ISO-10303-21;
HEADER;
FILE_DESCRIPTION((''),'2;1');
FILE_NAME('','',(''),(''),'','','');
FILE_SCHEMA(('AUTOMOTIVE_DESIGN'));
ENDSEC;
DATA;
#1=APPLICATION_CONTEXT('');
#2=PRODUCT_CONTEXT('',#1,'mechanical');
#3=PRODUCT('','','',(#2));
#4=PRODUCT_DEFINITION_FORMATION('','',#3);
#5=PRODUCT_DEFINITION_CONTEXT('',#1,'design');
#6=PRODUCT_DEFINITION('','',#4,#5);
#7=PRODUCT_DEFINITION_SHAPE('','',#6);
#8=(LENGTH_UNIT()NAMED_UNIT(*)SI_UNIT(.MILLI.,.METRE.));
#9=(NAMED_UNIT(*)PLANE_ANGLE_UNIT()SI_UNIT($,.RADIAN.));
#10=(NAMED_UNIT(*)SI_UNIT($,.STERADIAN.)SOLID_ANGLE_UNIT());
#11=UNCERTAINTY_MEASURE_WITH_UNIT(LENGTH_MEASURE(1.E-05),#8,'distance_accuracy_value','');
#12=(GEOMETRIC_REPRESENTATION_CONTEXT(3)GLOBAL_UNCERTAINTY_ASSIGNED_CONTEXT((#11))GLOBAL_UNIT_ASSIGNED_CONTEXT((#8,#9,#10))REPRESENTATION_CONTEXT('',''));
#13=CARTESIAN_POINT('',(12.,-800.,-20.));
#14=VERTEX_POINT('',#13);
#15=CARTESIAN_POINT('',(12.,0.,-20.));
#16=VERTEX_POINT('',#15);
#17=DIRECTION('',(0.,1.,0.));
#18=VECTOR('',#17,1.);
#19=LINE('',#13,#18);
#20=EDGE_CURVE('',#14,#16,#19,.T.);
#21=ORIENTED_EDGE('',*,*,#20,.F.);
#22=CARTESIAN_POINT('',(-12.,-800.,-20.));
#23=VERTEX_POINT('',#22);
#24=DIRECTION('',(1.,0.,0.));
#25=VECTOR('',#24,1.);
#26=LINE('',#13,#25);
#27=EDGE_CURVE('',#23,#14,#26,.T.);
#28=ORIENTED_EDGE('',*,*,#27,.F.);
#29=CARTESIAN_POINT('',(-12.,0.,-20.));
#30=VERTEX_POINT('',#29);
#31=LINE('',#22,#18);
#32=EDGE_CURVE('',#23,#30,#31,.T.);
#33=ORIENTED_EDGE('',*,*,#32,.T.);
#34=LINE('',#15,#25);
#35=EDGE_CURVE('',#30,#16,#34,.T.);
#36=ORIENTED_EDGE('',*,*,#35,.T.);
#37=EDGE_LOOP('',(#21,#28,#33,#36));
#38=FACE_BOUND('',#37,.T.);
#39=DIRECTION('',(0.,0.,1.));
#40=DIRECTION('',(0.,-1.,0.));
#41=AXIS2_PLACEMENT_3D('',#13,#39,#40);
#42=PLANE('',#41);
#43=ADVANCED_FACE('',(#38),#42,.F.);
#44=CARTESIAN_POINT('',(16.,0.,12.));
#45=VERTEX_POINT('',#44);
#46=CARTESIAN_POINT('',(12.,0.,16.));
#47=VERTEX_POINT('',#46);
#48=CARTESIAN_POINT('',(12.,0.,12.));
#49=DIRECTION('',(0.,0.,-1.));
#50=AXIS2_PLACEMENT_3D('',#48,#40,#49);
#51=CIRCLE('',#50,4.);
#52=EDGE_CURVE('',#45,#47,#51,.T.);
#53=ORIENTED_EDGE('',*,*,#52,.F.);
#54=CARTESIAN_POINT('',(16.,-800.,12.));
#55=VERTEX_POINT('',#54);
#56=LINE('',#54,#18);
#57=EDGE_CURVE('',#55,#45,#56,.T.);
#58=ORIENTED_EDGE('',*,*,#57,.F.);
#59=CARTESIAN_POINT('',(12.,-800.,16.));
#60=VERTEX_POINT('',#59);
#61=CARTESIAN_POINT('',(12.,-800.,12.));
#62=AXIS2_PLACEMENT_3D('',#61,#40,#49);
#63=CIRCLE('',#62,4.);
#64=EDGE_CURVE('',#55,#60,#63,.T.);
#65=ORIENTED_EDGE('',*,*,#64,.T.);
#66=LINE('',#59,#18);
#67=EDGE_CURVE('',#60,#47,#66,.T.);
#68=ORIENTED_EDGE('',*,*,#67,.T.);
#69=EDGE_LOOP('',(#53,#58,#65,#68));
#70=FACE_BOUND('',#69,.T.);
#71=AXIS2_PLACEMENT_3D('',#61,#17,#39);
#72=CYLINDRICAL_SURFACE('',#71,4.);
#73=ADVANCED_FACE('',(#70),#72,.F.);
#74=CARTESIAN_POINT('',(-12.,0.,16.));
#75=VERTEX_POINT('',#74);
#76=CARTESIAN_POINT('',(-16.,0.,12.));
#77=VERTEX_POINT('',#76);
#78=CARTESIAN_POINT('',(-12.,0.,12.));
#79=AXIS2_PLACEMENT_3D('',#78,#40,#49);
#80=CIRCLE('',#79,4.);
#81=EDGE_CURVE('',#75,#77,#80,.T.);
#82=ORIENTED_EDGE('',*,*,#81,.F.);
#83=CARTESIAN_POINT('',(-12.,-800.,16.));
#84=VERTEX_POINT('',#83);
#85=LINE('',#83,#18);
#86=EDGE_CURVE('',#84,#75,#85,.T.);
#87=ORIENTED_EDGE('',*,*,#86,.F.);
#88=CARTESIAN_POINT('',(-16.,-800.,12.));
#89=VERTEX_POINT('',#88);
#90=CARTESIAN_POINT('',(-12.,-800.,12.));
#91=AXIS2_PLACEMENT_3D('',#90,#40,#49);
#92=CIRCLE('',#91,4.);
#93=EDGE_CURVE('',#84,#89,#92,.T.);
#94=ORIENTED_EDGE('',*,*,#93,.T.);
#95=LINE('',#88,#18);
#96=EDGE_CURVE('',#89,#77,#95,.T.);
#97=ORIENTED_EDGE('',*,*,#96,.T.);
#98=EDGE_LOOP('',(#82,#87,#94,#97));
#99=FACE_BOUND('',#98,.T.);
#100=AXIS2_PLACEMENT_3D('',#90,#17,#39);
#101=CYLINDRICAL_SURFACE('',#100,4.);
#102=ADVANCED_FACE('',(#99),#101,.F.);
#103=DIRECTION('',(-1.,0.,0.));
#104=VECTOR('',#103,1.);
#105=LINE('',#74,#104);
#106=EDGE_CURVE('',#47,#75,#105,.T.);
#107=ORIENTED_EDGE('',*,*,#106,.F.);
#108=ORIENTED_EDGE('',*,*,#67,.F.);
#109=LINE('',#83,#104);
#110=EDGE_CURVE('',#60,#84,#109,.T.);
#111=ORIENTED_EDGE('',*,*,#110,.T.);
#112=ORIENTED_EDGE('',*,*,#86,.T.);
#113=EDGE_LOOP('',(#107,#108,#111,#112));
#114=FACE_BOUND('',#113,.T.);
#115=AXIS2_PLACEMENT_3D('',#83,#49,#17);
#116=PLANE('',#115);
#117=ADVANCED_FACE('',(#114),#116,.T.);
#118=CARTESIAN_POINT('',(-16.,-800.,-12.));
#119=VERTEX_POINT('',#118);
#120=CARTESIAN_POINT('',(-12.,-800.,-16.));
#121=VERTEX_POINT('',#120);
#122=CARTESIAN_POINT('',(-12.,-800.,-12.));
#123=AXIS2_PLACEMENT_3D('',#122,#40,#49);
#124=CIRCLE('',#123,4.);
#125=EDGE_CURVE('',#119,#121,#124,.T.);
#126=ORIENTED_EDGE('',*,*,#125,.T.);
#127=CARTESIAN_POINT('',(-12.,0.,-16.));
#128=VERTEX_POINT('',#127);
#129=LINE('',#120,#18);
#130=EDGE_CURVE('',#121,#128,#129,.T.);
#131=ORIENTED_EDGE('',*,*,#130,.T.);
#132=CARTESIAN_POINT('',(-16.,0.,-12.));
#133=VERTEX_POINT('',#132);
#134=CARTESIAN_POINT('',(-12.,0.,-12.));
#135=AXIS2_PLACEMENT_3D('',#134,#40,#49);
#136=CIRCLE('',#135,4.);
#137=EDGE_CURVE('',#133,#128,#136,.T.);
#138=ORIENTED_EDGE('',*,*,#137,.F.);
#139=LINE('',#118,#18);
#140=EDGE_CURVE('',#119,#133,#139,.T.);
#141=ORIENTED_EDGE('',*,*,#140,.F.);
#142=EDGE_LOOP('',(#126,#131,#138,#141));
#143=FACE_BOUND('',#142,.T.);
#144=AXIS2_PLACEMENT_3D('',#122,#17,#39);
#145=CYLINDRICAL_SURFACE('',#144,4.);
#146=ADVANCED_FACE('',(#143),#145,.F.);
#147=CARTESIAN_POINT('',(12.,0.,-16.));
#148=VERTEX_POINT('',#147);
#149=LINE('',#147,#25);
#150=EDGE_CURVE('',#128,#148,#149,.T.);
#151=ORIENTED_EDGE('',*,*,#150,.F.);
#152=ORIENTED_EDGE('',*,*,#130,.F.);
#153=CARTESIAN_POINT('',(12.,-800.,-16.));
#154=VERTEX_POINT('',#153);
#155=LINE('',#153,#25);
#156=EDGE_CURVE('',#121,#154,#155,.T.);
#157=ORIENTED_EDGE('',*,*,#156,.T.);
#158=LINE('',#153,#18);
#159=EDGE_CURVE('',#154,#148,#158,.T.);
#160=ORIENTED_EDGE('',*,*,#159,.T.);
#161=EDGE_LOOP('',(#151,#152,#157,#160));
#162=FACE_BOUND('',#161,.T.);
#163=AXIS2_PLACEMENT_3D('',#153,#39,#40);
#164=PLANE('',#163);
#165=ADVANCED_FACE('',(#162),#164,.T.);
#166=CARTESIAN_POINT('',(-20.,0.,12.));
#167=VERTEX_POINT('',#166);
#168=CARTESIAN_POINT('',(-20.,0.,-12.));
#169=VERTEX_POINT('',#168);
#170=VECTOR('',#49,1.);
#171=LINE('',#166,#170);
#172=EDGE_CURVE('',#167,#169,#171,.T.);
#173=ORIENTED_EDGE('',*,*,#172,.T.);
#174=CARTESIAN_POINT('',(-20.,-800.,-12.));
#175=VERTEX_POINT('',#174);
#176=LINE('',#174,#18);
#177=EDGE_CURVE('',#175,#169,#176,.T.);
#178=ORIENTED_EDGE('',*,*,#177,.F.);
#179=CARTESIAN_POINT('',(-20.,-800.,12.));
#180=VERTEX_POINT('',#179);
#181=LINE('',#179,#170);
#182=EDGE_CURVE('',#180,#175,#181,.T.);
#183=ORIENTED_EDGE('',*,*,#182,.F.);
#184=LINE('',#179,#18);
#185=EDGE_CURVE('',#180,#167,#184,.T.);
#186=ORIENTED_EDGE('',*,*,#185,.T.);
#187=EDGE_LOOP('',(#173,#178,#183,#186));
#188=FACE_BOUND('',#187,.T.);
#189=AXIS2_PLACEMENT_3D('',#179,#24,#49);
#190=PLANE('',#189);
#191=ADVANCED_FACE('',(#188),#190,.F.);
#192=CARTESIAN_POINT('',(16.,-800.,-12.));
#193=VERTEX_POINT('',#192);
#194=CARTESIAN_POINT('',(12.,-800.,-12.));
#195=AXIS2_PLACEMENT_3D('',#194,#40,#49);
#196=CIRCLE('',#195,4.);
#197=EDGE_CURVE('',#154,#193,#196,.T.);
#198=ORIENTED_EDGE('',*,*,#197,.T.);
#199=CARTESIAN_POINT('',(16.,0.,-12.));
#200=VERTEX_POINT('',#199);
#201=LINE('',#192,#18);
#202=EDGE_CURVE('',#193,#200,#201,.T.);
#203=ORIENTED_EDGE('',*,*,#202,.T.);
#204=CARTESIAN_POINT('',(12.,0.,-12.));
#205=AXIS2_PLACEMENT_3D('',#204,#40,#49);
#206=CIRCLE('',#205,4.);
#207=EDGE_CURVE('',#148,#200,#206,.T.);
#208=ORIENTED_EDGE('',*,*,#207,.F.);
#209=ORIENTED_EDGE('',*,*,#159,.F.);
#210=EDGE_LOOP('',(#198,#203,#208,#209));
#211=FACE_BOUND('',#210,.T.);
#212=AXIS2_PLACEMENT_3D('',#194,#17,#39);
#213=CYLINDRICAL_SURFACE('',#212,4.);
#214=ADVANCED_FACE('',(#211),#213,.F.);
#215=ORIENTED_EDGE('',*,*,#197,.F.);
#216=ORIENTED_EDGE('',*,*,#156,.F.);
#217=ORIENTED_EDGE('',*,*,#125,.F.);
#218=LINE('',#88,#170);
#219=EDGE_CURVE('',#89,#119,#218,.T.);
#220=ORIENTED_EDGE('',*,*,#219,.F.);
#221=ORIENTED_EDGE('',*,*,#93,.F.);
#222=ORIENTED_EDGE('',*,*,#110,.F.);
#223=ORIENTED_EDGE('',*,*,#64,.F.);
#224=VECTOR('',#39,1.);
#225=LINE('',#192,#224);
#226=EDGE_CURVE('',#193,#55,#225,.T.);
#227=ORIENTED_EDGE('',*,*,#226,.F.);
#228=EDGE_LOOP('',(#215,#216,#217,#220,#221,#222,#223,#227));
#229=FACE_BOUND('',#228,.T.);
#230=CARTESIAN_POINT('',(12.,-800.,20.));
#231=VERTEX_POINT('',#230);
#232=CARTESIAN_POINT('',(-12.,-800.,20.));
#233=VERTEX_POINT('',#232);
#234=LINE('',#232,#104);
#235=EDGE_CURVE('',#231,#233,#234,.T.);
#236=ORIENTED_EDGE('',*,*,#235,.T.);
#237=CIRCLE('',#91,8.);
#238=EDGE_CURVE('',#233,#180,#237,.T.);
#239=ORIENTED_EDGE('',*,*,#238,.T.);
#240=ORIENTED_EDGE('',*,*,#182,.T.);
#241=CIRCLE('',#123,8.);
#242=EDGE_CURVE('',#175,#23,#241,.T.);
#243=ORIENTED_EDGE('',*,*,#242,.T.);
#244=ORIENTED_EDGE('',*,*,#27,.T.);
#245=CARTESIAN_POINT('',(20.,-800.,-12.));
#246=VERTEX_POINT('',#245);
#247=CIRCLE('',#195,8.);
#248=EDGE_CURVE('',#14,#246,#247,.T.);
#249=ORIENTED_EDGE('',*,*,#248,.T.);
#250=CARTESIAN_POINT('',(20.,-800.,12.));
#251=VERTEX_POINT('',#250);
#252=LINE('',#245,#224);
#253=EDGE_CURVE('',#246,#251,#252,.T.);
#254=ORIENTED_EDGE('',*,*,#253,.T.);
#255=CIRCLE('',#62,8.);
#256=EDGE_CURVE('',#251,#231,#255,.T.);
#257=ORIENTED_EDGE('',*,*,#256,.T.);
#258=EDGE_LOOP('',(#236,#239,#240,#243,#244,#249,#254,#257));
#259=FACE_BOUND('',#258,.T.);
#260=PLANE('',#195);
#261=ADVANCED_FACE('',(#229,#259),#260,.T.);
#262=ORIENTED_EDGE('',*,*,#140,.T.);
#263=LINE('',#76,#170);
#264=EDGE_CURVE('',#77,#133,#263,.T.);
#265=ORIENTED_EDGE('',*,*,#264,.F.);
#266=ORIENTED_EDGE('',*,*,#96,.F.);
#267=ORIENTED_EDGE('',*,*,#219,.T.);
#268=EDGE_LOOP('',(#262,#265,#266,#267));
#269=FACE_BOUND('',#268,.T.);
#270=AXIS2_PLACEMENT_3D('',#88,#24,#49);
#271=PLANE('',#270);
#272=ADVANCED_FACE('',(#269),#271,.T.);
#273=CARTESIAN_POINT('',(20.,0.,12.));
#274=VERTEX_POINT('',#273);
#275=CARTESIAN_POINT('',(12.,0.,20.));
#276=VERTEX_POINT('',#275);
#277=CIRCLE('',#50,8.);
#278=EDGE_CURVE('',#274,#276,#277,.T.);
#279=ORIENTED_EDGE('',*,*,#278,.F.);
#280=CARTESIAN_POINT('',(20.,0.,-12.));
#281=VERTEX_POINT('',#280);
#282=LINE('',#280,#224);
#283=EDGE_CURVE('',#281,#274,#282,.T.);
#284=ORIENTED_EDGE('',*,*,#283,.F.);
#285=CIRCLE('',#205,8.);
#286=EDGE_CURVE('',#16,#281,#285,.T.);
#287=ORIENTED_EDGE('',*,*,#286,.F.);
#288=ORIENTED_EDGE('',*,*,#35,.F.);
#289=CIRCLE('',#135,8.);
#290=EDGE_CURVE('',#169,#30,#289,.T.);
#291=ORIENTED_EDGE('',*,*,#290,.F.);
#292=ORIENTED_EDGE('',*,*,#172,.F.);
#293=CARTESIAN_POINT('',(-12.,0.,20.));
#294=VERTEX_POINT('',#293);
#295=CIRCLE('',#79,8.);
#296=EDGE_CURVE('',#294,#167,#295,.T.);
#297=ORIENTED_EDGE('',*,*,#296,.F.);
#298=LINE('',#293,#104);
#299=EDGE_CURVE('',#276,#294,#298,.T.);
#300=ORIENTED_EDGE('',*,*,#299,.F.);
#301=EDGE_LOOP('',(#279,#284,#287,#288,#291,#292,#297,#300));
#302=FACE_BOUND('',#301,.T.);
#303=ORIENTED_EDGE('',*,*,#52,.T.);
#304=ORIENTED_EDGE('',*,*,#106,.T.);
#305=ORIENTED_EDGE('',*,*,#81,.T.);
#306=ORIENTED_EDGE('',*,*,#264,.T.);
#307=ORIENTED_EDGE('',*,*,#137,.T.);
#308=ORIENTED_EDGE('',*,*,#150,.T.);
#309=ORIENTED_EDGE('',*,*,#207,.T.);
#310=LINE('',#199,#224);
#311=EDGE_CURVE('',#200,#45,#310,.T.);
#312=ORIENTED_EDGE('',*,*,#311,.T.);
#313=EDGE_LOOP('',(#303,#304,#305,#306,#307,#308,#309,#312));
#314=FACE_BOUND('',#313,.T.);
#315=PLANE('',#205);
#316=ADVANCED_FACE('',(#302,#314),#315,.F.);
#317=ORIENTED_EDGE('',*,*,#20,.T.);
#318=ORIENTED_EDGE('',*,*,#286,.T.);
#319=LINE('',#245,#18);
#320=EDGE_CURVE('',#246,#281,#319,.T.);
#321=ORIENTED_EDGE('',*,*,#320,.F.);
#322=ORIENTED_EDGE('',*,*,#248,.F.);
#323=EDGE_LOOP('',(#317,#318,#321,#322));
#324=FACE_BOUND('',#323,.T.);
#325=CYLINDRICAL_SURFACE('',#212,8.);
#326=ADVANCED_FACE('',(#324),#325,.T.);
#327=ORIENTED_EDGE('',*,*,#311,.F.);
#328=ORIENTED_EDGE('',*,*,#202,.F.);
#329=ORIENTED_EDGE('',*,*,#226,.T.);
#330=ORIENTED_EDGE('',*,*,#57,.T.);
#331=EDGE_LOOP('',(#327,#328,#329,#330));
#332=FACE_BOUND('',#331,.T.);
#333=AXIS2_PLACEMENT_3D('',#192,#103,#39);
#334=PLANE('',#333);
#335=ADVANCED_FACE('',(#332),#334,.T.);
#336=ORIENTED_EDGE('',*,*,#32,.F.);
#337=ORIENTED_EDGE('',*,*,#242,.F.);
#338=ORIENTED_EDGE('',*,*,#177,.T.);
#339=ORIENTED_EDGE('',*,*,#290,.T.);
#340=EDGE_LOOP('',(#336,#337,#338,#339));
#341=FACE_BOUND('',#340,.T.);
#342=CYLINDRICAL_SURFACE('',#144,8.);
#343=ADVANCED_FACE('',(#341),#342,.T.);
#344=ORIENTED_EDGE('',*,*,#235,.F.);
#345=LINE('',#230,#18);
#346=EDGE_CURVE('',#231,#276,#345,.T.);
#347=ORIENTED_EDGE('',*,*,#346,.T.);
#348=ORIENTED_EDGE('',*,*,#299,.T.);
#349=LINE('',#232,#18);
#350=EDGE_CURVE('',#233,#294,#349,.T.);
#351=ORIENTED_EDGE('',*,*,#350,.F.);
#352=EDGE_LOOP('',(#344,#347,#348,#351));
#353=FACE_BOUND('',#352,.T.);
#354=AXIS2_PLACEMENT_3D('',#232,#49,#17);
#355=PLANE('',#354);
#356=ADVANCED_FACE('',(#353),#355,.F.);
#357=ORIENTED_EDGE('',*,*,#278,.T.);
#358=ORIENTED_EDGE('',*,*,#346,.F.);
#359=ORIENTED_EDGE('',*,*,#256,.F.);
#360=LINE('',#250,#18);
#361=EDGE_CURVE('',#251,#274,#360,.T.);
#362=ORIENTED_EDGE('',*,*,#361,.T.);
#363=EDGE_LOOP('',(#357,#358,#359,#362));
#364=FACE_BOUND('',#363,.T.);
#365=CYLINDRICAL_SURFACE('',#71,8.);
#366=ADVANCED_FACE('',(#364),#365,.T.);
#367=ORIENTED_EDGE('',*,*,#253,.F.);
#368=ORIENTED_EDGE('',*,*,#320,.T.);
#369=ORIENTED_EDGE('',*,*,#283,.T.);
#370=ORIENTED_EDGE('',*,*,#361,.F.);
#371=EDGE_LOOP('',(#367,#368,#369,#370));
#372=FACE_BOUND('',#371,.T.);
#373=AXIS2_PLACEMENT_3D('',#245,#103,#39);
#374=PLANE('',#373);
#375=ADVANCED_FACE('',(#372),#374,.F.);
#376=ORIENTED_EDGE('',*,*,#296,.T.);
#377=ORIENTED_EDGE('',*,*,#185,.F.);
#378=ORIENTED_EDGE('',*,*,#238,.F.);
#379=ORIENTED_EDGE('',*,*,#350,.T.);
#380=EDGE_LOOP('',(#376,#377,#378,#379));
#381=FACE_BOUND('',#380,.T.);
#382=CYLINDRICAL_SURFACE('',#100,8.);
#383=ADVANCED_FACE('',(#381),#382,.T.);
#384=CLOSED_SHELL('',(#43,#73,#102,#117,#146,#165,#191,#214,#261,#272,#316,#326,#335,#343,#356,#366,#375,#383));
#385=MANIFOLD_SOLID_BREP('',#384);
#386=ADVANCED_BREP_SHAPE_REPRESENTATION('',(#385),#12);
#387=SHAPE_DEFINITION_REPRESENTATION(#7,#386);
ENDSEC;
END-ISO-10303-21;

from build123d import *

# Parameters (mm, degrees)
SQUARE_TUBE_40_X_40_X_4_1_DEPTH = 800


with BuildPart() as part:
    # Sketch11 → Square tube 40 X 40 X 4(1) (new body)
    with BuildSketch(Plane(origin=(0, 0, 0), x_dir=(0, 0, -1), z_dir=(0, -1, 0))):
        with BuildLine():
            Line((-12, -20), (12, -20))
            ThreePointArc((12, -20), (17.656854249, -17.656854249), (20, -12))
            Line((20, -12), (20, 12))
            ThreePointArc((20, 12), (17.656854249, 17.656854249), (12, 20))
            Line((12, 20), (-12, 20))
            ThreePointArc((-12, 20), (-17.656854249, 17.656854249), (-20, 12))
            Line((-20, 12), (-20, -12))
            ThreePointArc((-20, -12), (-17.656854249, -17.656854249), (-12, -20))
        make_face()
        with BuildLine():
            Line((-12, -16), (12, -16))
            ThreePointArc((12, -16), (14.828427125, -14.828427125), (16, -12))
            Line((16, -12), (16, 12))
            ThreePointArc((16, 12), (14.828427125, 14.828427125), (12, 16))
            Line((12, 16), (-12, 16))
            ThreePointArc((-12, 16), (-14.828427125, 14.828427125), (-16, 12))
            Line((-16, 12), (-16, -12))
            ThreePointArc((-16, -12), (-14.828427125, -14.828427125), (-12, -16))
        make_face(mode=Mode.SUBTRACT)
    extrude(amount=SQUARE_TUBE_40_X_40_X_4_1_DEPTH)


solid = part.part
